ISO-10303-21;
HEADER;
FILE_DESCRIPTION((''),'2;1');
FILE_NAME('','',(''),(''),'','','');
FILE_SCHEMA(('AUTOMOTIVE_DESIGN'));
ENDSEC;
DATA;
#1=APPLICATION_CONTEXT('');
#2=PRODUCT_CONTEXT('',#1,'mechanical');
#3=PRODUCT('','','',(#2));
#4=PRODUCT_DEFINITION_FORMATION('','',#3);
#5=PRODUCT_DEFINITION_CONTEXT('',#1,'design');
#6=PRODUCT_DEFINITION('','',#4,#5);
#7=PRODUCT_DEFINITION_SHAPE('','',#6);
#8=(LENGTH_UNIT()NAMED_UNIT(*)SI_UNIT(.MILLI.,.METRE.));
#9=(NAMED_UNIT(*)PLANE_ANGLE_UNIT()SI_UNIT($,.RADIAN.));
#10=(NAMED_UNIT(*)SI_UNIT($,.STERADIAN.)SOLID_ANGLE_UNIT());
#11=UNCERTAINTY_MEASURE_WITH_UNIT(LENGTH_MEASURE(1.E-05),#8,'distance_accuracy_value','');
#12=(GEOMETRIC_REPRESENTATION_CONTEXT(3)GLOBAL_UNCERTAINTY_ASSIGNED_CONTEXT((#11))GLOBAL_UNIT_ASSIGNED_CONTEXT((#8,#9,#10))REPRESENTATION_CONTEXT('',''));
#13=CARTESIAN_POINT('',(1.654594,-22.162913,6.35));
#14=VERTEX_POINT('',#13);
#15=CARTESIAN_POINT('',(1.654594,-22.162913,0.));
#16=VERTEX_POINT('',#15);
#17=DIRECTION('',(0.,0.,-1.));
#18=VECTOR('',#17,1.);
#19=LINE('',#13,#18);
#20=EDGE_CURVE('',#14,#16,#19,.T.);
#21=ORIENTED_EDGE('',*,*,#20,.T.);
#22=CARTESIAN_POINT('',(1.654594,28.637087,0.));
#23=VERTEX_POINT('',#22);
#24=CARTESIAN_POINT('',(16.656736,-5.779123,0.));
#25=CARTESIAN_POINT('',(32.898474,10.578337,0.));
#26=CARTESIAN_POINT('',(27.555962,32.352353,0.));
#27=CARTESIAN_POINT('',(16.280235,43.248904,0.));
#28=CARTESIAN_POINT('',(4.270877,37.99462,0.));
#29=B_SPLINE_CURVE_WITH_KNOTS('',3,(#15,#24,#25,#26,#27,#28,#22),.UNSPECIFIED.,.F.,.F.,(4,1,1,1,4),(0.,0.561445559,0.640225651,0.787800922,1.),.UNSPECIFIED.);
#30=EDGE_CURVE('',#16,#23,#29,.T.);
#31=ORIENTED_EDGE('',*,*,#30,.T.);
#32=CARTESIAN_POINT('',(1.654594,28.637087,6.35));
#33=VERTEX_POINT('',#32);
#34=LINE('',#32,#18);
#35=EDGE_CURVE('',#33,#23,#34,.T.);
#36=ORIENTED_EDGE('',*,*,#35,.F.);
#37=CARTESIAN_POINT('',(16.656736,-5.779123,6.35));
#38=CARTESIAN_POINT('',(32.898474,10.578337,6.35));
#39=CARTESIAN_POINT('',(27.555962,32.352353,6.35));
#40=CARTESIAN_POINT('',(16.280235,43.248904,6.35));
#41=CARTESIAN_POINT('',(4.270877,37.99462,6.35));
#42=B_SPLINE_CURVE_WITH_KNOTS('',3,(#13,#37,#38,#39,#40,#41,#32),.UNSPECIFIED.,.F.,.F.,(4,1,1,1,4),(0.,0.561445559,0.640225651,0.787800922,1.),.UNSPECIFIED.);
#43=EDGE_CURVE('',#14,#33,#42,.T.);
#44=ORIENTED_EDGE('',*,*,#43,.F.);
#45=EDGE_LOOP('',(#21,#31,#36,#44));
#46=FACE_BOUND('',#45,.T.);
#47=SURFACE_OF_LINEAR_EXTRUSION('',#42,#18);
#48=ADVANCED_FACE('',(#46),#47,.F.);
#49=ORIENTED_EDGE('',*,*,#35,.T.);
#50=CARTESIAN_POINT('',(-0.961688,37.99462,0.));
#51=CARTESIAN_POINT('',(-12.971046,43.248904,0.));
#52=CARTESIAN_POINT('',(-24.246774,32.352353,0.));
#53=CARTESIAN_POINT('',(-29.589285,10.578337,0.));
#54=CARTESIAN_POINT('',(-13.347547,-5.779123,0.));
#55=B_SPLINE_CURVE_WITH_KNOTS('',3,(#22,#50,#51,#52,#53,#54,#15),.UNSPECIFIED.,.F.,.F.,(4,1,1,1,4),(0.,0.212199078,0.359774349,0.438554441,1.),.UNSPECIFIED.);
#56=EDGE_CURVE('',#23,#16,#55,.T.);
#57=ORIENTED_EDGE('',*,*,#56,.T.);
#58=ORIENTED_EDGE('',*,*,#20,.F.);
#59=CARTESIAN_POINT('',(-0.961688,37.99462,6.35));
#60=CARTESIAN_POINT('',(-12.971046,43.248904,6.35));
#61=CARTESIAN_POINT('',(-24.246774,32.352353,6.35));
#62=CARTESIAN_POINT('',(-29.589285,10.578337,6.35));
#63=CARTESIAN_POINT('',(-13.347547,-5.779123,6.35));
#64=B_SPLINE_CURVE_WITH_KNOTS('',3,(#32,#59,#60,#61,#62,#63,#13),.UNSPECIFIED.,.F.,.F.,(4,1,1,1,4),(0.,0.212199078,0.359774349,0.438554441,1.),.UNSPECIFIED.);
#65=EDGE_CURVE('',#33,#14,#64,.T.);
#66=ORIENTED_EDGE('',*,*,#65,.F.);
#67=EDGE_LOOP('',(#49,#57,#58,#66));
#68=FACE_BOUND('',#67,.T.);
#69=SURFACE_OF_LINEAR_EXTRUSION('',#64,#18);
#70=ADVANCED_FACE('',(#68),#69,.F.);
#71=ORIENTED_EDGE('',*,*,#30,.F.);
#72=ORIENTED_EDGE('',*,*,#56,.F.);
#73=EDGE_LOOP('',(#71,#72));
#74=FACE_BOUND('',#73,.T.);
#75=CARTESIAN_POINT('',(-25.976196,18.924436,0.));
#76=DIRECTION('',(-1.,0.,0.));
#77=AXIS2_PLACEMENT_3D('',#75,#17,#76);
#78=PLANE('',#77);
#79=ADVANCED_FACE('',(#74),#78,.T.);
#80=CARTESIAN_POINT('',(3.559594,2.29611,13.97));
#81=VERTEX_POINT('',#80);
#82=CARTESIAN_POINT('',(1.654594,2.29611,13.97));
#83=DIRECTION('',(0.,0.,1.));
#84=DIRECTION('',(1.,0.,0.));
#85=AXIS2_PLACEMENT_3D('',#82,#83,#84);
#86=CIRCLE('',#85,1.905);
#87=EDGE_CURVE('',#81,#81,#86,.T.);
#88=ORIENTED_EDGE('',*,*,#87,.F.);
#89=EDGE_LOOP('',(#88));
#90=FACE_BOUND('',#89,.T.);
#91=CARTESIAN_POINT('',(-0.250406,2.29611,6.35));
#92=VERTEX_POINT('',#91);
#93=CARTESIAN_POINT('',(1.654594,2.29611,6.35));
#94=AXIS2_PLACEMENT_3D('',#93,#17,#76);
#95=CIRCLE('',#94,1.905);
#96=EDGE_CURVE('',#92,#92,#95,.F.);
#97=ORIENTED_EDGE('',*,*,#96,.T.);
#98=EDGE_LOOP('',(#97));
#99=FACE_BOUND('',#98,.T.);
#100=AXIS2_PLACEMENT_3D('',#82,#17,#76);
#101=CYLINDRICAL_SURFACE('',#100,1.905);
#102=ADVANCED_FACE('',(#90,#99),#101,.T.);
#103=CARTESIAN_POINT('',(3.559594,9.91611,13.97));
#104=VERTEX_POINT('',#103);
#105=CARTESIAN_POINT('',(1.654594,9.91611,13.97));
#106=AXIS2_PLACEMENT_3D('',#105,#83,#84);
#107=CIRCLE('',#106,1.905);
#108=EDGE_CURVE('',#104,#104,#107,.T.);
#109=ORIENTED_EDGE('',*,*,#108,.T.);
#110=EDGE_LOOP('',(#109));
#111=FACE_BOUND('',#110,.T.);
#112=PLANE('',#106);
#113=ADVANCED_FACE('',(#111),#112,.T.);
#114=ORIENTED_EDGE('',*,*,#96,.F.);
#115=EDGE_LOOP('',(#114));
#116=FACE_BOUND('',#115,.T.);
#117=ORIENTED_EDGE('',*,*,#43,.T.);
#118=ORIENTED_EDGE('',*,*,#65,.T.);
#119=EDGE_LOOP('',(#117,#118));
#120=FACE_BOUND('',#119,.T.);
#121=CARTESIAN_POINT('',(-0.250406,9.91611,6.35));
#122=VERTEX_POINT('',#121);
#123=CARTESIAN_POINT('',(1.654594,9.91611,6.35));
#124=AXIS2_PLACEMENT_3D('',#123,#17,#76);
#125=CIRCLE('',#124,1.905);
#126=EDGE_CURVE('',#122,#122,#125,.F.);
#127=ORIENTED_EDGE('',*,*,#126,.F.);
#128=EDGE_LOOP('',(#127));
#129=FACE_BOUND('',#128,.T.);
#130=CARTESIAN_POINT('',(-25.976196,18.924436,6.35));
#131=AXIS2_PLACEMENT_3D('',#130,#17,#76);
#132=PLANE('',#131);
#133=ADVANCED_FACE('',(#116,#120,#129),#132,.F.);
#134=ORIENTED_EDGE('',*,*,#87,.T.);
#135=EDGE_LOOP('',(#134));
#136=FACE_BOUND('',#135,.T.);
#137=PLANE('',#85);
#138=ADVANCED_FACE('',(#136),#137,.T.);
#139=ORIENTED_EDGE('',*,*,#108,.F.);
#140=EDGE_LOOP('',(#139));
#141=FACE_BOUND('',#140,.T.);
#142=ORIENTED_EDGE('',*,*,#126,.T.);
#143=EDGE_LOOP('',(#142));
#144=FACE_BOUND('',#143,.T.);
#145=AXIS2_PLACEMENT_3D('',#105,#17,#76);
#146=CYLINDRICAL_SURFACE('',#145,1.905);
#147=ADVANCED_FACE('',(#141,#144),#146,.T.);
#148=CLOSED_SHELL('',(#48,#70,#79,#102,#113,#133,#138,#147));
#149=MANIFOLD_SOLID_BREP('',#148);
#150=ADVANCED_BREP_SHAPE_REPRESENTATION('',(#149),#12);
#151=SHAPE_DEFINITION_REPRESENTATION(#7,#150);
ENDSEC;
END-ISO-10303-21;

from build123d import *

# Parameters (mm, degrees)
BOSS_EXTRUDE1_DEPTH = 6.35
SKETCH2_R           = 1.905
BOSS_EXTRUDE2_DEPTH = 7.62


with BuildPart() as part:
    # Sketch1 → Boss-Extrude1 (new body)
    with BuildSketch(Plane.XY):
        with BuildLine():
            add(Edge.make_bspline(
                [(1.654594255, 28.637086731), (4.270876616, 37.994619502), (16.280234659, 43.248904234), (27.555962484, 32.352353304), (32.898473868, 10.57833674), (16.656735718, -5.779122619), (1.654594255, -22.162913269)],
                knots=[0, 0, 0, 0, 0.212199078, 0.359774349, 0.438554441, 1, 1, 1, 1], degree=3))
            add(Edge.make_bspline(
                [(1.654594255, 28.637086731), (-0.961688106, 37.994619502), (-12.971046149, 43.248904234), (-24.246773974, 32.352353304), (-29.589285358, 10.57833674), (-13.347547209, -5.779122619), (1.654594255, -22.162913269)],
                knots=[0, 0, 0, 0, 0.212199078, 0.359774349, 0.438554441, 1, 1, 1, 1], degree=3))
        make_face()
    extrude(amount=BOSS_EXTRUDE1_DEPTH)

    # Sketch2 → Boss-Extrude2 (add)
    with BuildSketch(Plane.XY.offset(6.35)):
        with Locations((1.654594255, 9.916109637)):
            Circle(SKETCH2_R)
        with Locations((1.654594255, 2.296109637)):
            Circle(SKETCH2_R)
    extrude(amount=BOSS_EXTRUDE2_DEPTH)


solid = part.part
